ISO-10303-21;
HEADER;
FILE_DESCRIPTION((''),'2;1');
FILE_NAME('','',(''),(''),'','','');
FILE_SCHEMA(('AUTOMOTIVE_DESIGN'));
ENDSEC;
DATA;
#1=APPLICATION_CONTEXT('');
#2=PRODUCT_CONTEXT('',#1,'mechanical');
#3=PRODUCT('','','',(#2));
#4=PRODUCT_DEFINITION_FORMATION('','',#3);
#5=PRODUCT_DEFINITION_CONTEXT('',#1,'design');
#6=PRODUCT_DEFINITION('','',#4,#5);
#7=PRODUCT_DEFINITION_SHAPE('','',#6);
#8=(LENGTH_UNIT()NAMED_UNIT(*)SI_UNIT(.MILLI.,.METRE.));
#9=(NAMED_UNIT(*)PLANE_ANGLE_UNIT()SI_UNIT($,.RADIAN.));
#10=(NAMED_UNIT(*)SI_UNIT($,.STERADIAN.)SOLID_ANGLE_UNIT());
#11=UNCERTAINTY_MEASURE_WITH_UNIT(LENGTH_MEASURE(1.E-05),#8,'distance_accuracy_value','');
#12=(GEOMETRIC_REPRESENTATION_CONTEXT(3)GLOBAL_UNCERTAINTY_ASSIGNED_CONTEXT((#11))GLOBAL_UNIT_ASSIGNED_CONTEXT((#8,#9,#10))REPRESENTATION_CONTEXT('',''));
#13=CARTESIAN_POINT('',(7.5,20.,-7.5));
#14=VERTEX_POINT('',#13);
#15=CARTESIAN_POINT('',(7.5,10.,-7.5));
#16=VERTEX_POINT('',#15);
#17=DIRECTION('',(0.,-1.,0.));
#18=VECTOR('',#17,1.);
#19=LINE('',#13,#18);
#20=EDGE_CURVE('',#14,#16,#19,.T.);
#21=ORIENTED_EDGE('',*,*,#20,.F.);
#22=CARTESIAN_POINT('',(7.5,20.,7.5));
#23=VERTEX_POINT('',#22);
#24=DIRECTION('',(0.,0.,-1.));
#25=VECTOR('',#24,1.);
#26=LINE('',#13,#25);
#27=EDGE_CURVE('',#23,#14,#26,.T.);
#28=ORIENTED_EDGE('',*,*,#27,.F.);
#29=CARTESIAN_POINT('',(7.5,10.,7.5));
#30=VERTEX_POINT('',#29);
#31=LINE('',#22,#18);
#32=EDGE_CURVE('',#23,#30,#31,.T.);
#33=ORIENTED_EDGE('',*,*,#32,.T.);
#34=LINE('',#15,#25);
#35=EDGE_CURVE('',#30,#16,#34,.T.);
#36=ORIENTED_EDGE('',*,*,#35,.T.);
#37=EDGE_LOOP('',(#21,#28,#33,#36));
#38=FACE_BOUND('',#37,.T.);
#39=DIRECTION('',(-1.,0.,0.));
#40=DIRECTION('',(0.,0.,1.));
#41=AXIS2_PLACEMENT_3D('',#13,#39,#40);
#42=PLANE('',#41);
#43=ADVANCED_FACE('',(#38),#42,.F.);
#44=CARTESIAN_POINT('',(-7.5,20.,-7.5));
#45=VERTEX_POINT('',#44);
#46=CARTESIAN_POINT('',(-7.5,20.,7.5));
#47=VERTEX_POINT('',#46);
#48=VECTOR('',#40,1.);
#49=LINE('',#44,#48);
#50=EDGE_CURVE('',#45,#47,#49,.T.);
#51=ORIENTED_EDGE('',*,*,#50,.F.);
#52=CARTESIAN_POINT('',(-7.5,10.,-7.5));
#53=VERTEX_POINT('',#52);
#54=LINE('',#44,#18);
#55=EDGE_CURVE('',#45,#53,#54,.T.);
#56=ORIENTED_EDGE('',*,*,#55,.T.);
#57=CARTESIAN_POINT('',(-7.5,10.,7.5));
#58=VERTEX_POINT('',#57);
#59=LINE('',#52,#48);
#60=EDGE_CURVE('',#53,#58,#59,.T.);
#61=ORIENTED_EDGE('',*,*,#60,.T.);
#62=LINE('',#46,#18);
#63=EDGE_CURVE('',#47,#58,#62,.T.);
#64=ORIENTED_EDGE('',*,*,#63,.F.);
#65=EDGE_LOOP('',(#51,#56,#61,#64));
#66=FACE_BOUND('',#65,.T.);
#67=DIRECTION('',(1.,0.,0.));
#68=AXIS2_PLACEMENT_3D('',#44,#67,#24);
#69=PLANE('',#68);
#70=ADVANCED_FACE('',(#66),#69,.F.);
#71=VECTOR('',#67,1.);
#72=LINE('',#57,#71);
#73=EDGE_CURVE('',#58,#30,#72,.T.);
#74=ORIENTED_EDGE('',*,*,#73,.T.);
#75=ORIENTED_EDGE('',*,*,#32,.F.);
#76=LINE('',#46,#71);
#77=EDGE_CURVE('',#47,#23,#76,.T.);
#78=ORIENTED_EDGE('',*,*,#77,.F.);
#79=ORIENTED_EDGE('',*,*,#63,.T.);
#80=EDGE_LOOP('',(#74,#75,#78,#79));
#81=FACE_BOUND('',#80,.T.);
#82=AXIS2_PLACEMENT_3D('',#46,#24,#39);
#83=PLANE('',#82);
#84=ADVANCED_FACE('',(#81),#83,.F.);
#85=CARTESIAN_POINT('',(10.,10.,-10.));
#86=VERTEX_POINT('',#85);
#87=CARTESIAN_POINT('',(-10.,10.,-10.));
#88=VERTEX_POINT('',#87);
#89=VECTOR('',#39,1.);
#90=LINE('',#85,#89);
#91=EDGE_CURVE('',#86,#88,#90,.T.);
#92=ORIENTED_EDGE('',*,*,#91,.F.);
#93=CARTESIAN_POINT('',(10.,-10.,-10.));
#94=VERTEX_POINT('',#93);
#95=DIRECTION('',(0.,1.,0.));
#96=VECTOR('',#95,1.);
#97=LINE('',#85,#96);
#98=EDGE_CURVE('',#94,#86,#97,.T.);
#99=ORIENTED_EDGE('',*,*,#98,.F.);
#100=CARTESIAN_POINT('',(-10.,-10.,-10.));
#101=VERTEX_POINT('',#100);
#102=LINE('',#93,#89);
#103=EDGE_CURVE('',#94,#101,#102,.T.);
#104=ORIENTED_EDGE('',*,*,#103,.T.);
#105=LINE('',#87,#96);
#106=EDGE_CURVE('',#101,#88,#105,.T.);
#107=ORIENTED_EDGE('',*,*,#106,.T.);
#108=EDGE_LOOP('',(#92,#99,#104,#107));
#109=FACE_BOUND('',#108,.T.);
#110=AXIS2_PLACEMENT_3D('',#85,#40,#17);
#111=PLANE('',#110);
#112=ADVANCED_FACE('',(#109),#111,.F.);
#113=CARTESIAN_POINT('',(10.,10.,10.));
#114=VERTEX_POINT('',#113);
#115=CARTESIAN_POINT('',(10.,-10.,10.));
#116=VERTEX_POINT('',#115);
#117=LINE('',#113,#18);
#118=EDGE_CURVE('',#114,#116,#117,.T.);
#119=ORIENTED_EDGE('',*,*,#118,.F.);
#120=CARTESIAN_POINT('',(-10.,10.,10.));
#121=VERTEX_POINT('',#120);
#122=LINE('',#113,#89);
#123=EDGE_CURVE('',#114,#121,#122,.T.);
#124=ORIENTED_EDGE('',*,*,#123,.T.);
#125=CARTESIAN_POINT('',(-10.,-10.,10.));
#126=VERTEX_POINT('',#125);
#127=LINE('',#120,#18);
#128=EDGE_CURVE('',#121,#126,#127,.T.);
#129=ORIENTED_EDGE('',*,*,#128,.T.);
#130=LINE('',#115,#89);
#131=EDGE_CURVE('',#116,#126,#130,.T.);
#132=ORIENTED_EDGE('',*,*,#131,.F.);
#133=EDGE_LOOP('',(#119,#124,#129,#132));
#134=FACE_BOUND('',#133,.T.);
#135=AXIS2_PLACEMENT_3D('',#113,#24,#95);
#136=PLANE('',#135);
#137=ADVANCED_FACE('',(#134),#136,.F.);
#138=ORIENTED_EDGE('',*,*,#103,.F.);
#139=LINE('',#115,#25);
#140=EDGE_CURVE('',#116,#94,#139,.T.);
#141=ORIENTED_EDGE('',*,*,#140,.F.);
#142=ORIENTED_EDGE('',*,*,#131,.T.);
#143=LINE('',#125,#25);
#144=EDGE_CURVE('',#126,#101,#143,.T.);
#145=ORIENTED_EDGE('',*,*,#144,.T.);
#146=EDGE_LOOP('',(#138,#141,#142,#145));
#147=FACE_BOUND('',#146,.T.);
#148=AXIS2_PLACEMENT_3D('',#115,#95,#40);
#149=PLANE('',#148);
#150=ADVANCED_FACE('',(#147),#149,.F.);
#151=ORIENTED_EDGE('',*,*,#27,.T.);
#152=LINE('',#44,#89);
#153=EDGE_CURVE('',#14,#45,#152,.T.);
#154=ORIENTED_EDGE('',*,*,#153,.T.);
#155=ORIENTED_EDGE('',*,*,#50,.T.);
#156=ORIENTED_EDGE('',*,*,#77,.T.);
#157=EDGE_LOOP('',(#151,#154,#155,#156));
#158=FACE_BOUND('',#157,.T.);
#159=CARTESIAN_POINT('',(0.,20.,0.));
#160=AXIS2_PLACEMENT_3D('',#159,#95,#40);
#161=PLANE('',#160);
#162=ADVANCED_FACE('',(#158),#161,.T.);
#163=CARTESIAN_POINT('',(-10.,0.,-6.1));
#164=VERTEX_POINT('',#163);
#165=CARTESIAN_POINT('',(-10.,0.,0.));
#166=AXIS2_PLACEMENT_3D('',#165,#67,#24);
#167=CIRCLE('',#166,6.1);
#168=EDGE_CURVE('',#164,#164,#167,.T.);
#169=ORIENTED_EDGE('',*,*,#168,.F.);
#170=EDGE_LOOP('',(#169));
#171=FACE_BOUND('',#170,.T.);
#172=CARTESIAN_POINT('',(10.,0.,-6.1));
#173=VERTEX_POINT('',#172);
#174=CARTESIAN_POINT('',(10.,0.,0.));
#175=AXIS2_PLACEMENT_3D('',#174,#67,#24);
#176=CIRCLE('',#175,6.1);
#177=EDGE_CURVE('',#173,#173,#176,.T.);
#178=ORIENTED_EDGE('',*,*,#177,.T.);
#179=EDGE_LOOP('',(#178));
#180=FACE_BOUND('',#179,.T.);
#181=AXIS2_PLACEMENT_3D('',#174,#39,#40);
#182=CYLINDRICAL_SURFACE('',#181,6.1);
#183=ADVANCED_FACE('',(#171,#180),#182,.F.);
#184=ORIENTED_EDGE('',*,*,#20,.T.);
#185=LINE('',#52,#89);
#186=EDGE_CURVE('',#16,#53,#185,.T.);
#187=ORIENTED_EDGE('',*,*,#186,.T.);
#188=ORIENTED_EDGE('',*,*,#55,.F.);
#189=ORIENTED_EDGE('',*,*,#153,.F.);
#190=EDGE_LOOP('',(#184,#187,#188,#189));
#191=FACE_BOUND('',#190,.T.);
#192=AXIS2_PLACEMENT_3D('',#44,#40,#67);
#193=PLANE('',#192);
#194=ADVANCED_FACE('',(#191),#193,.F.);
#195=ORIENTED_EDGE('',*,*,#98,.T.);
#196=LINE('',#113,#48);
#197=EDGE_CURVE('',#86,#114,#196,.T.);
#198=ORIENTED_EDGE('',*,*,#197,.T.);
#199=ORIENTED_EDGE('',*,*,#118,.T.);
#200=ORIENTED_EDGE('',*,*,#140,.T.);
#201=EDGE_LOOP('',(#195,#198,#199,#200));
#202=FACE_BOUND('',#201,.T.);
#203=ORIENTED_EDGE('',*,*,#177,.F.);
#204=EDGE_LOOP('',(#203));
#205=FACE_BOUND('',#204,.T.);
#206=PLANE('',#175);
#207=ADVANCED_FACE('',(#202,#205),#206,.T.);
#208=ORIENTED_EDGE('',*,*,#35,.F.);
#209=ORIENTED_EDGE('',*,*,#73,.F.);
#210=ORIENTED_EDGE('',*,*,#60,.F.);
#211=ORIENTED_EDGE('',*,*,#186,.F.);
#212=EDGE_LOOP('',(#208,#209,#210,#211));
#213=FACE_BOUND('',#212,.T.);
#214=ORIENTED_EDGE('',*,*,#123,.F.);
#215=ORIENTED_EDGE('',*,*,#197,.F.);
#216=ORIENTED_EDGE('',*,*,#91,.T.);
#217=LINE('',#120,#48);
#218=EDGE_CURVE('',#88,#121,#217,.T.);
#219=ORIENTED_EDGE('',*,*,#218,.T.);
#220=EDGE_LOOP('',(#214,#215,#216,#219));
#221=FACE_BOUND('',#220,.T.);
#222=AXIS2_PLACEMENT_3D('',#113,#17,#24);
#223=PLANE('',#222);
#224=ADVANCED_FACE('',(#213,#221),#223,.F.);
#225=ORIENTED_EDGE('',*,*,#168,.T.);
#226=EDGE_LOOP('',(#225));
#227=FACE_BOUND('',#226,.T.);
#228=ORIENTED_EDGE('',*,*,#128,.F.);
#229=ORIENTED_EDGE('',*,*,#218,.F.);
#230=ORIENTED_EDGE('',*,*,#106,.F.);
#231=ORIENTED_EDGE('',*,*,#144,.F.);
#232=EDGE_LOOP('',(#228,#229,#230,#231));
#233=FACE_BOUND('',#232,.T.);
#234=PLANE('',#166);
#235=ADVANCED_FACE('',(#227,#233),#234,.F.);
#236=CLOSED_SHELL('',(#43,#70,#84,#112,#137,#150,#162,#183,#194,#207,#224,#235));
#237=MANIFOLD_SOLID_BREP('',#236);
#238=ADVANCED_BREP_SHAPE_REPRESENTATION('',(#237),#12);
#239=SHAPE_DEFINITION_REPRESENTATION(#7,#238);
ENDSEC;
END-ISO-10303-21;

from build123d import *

# Parameters (mm, degrees)
SKETCH1_W           = 20
SKETCH1_H           = 20
SKETCH1_R           = 6.1
BOSS_EXTRUDE1_DEPTH = 10
SKETCH3_W           = 15
SKETCH3_H           = 15
BOSS_EXTRUDE2_DEPTH = 10


with BuildPart() as part:
    # Sketch1 → Boss-Extrude1 (new body, symmetric)
    with BuildSketch(Plane(origin=(0, 0, 0), x_dir=(0, 0, -1), z_dir=(1, 0, 0))):
        Rectangle(SKETCH1_W, SKETCH1_H)
        Circle(SKETCH1_R, mode=Mode.SUBTRACT)
    extrude(amount=BOSS_EXTRUDE1_DEPTH, both=True)

    # Sketch3 → Boss-Extrude2 (add)
    with BuildSketch(Plane(origin=(0, 10, 0), x_dir=(1, 0, 0), z_dir=(0, 1, 0))):
        Rectangle(SKETCH3_W, SKETCH3_H)
    extrude(amount=BOSS_EXTRUDE2_DEPTH)


solid = part.part
